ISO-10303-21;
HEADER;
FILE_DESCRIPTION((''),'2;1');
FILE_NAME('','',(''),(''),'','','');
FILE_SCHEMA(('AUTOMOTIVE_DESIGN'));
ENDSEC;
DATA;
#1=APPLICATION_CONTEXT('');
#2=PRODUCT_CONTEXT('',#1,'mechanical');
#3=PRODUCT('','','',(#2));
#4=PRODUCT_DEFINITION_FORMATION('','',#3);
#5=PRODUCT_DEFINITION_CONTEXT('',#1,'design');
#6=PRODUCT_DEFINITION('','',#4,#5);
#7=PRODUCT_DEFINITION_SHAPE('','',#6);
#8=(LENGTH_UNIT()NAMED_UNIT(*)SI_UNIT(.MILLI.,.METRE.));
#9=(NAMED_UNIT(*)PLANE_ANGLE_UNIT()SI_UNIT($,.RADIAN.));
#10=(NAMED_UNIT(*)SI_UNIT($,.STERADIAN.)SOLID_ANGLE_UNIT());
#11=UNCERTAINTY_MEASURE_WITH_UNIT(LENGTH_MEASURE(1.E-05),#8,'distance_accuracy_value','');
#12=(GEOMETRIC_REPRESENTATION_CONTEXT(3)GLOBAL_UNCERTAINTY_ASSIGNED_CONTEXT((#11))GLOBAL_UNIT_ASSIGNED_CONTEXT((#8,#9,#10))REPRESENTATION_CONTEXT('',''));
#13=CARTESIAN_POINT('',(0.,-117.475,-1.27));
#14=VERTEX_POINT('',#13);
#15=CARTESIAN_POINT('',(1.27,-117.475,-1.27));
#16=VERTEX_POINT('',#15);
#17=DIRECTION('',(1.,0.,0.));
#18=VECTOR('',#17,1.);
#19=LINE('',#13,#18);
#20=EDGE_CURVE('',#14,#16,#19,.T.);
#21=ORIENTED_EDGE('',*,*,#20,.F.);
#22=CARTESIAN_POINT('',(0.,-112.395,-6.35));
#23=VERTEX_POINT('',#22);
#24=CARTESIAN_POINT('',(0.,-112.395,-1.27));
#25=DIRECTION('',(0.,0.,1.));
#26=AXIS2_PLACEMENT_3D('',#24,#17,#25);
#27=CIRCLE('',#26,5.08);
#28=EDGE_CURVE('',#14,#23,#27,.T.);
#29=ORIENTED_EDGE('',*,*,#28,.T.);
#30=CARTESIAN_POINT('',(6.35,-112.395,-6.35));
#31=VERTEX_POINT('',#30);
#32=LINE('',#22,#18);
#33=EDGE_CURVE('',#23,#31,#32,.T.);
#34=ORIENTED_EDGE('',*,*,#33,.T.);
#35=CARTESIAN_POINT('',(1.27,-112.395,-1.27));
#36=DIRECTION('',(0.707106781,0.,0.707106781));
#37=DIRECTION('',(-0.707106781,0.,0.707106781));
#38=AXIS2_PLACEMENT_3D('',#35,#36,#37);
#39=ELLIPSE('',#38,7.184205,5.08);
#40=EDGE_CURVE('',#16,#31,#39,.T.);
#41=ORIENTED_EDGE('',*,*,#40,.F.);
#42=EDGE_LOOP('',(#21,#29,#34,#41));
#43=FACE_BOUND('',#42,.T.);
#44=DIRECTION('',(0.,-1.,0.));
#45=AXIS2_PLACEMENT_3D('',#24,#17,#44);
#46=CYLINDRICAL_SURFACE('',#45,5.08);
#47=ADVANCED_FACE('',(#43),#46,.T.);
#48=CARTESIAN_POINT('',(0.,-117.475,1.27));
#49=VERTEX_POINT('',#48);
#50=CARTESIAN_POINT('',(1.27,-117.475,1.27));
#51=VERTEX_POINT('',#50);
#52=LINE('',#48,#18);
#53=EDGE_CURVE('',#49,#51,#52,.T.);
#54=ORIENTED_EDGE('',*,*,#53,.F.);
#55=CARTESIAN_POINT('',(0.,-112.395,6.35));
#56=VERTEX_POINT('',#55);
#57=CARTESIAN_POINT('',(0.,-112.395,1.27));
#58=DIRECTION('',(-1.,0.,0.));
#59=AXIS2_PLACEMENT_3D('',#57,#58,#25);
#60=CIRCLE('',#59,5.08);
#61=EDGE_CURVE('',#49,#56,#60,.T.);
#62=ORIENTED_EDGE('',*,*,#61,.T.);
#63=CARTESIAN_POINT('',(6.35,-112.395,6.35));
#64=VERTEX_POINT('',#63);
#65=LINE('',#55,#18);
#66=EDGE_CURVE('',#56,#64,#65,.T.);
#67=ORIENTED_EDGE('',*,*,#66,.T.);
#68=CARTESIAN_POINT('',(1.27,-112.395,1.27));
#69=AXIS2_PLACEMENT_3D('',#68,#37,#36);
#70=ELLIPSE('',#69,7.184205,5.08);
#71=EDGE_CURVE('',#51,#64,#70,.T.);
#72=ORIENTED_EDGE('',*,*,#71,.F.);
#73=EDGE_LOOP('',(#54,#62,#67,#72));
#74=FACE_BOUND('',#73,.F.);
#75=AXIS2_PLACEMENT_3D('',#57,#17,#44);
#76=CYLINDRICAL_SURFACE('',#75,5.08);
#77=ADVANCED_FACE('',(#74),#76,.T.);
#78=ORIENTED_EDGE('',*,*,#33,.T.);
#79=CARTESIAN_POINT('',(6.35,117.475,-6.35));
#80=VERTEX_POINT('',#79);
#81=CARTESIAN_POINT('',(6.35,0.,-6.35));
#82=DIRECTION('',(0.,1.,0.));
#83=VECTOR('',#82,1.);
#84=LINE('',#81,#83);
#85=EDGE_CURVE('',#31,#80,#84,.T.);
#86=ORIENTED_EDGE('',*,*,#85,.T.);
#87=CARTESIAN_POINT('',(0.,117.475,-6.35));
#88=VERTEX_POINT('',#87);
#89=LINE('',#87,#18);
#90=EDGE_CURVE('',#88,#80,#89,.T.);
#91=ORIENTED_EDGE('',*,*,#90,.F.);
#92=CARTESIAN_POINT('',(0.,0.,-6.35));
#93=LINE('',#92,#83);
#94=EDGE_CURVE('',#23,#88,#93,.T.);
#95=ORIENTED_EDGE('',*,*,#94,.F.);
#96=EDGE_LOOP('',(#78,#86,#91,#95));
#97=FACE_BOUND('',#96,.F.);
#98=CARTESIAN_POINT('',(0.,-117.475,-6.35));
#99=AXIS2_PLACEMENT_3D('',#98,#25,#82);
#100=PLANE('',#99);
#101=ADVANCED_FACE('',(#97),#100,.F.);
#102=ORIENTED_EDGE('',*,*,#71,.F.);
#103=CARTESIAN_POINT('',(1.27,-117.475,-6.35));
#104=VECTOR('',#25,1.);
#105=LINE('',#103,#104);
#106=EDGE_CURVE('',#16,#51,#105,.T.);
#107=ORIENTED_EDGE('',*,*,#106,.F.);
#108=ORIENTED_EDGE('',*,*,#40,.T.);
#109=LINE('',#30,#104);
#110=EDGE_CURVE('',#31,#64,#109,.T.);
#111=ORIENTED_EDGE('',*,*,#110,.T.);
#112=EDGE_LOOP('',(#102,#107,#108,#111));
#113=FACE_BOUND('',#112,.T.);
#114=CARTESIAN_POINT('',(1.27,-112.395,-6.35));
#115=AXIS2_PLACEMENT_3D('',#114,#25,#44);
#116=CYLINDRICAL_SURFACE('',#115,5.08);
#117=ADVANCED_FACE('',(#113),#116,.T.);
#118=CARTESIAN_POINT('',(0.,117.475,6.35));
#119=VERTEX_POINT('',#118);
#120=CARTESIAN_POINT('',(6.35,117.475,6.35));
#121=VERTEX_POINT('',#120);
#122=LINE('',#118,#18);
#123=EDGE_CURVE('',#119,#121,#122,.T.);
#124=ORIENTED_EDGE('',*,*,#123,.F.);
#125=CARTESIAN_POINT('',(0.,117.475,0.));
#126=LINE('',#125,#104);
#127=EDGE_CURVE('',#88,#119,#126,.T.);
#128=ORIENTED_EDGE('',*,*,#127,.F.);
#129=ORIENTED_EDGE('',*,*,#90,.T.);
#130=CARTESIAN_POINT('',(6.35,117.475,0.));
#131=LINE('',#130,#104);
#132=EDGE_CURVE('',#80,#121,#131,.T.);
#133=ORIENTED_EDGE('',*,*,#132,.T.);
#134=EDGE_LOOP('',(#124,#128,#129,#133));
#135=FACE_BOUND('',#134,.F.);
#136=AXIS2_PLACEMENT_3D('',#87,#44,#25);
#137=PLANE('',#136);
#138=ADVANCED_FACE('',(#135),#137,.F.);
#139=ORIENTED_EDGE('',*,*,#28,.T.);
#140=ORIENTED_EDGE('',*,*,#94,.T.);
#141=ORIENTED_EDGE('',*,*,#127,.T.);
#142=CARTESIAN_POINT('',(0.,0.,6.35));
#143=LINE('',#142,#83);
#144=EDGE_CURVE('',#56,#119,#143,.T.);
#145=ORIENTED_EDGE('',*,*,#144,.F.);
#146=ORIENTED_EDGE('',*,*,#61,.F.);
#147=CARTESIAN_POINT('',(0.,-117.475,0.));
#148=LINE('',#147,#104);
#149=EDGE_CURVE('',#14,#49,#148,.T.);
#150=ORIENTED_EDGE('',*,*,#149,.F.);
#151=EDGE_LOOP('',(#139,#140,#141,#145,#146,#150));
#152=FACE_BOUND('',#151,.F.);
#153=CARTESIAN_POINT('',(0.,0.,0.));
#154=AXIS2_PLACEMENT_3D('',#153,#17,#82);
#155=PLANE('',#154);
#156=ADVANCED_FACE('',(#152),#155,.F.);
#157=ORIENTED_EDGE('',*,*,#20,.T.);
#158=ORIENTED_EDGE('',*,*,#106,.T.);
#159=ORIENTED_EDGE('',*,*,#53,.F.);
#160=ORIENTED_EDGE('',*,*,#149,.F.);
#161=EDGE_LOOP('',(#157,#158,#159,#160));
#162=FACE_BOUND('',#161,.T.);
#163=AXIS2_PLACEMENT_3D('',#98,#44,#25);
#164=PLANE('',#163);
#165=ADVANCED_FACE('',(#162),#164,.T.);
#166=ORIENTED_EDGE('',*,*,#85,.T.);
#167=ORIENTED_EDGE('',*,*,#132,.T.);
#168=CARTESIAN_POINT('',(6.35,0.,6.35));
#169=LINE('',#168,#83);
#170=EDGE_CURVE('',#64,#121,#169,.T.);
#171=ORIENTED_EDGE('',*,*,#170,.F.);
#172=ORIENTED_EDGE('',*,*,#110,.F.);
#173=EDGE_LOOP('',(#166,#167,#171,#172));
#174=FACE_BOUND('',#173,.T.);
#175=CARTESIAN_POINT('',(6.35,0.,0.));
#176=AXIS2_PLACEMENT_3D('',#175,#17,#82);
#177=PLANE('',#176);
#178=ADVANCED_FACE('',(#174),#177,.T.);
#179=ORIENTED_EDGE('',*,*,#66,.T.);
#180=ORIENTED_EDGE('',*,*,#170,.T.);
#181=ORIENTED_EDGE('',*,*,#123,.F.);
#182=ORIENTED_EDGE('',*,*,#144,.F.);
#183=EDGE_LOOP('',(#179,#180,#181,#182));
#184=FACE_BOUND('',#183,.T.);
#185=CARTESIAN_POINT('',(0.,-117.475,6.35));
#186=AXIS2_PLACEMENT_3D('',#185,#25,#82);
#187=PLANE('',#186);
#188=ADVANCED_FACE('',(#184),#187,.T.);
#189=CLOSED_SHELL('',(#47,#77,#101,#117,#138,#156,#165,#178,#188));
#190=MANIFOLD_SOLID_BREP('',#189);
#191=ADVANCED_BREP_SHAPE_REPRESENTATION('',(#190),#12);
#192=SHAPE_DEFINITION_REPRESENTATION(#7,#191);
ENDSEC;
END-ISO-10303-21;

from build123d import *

# Parameters (mm, degrees)
F0_W     = 234.95
F0_H     = 12.7
F1_DEPTH = 6.35
F2_R     = 5.08


with BuildPart() as f1:
    # F0 (on Right) → F1 (new body)
    with BuildSketch(Plane.YZ):
        Rectangle(F0_W, F0_H)
    extrude(amount=F1_DEPTH)

    # F2
    f2_edges = [f1.edges().sort_by_distance(p)[0] for p in [
        (3.175, -117.475, 6.35),
        (6.35, -117.475, 0),
        (3.175, -117.475, -6.35),
    ]]
    fillet(f2_edges, radius=F2_R)


solid = f1.part
